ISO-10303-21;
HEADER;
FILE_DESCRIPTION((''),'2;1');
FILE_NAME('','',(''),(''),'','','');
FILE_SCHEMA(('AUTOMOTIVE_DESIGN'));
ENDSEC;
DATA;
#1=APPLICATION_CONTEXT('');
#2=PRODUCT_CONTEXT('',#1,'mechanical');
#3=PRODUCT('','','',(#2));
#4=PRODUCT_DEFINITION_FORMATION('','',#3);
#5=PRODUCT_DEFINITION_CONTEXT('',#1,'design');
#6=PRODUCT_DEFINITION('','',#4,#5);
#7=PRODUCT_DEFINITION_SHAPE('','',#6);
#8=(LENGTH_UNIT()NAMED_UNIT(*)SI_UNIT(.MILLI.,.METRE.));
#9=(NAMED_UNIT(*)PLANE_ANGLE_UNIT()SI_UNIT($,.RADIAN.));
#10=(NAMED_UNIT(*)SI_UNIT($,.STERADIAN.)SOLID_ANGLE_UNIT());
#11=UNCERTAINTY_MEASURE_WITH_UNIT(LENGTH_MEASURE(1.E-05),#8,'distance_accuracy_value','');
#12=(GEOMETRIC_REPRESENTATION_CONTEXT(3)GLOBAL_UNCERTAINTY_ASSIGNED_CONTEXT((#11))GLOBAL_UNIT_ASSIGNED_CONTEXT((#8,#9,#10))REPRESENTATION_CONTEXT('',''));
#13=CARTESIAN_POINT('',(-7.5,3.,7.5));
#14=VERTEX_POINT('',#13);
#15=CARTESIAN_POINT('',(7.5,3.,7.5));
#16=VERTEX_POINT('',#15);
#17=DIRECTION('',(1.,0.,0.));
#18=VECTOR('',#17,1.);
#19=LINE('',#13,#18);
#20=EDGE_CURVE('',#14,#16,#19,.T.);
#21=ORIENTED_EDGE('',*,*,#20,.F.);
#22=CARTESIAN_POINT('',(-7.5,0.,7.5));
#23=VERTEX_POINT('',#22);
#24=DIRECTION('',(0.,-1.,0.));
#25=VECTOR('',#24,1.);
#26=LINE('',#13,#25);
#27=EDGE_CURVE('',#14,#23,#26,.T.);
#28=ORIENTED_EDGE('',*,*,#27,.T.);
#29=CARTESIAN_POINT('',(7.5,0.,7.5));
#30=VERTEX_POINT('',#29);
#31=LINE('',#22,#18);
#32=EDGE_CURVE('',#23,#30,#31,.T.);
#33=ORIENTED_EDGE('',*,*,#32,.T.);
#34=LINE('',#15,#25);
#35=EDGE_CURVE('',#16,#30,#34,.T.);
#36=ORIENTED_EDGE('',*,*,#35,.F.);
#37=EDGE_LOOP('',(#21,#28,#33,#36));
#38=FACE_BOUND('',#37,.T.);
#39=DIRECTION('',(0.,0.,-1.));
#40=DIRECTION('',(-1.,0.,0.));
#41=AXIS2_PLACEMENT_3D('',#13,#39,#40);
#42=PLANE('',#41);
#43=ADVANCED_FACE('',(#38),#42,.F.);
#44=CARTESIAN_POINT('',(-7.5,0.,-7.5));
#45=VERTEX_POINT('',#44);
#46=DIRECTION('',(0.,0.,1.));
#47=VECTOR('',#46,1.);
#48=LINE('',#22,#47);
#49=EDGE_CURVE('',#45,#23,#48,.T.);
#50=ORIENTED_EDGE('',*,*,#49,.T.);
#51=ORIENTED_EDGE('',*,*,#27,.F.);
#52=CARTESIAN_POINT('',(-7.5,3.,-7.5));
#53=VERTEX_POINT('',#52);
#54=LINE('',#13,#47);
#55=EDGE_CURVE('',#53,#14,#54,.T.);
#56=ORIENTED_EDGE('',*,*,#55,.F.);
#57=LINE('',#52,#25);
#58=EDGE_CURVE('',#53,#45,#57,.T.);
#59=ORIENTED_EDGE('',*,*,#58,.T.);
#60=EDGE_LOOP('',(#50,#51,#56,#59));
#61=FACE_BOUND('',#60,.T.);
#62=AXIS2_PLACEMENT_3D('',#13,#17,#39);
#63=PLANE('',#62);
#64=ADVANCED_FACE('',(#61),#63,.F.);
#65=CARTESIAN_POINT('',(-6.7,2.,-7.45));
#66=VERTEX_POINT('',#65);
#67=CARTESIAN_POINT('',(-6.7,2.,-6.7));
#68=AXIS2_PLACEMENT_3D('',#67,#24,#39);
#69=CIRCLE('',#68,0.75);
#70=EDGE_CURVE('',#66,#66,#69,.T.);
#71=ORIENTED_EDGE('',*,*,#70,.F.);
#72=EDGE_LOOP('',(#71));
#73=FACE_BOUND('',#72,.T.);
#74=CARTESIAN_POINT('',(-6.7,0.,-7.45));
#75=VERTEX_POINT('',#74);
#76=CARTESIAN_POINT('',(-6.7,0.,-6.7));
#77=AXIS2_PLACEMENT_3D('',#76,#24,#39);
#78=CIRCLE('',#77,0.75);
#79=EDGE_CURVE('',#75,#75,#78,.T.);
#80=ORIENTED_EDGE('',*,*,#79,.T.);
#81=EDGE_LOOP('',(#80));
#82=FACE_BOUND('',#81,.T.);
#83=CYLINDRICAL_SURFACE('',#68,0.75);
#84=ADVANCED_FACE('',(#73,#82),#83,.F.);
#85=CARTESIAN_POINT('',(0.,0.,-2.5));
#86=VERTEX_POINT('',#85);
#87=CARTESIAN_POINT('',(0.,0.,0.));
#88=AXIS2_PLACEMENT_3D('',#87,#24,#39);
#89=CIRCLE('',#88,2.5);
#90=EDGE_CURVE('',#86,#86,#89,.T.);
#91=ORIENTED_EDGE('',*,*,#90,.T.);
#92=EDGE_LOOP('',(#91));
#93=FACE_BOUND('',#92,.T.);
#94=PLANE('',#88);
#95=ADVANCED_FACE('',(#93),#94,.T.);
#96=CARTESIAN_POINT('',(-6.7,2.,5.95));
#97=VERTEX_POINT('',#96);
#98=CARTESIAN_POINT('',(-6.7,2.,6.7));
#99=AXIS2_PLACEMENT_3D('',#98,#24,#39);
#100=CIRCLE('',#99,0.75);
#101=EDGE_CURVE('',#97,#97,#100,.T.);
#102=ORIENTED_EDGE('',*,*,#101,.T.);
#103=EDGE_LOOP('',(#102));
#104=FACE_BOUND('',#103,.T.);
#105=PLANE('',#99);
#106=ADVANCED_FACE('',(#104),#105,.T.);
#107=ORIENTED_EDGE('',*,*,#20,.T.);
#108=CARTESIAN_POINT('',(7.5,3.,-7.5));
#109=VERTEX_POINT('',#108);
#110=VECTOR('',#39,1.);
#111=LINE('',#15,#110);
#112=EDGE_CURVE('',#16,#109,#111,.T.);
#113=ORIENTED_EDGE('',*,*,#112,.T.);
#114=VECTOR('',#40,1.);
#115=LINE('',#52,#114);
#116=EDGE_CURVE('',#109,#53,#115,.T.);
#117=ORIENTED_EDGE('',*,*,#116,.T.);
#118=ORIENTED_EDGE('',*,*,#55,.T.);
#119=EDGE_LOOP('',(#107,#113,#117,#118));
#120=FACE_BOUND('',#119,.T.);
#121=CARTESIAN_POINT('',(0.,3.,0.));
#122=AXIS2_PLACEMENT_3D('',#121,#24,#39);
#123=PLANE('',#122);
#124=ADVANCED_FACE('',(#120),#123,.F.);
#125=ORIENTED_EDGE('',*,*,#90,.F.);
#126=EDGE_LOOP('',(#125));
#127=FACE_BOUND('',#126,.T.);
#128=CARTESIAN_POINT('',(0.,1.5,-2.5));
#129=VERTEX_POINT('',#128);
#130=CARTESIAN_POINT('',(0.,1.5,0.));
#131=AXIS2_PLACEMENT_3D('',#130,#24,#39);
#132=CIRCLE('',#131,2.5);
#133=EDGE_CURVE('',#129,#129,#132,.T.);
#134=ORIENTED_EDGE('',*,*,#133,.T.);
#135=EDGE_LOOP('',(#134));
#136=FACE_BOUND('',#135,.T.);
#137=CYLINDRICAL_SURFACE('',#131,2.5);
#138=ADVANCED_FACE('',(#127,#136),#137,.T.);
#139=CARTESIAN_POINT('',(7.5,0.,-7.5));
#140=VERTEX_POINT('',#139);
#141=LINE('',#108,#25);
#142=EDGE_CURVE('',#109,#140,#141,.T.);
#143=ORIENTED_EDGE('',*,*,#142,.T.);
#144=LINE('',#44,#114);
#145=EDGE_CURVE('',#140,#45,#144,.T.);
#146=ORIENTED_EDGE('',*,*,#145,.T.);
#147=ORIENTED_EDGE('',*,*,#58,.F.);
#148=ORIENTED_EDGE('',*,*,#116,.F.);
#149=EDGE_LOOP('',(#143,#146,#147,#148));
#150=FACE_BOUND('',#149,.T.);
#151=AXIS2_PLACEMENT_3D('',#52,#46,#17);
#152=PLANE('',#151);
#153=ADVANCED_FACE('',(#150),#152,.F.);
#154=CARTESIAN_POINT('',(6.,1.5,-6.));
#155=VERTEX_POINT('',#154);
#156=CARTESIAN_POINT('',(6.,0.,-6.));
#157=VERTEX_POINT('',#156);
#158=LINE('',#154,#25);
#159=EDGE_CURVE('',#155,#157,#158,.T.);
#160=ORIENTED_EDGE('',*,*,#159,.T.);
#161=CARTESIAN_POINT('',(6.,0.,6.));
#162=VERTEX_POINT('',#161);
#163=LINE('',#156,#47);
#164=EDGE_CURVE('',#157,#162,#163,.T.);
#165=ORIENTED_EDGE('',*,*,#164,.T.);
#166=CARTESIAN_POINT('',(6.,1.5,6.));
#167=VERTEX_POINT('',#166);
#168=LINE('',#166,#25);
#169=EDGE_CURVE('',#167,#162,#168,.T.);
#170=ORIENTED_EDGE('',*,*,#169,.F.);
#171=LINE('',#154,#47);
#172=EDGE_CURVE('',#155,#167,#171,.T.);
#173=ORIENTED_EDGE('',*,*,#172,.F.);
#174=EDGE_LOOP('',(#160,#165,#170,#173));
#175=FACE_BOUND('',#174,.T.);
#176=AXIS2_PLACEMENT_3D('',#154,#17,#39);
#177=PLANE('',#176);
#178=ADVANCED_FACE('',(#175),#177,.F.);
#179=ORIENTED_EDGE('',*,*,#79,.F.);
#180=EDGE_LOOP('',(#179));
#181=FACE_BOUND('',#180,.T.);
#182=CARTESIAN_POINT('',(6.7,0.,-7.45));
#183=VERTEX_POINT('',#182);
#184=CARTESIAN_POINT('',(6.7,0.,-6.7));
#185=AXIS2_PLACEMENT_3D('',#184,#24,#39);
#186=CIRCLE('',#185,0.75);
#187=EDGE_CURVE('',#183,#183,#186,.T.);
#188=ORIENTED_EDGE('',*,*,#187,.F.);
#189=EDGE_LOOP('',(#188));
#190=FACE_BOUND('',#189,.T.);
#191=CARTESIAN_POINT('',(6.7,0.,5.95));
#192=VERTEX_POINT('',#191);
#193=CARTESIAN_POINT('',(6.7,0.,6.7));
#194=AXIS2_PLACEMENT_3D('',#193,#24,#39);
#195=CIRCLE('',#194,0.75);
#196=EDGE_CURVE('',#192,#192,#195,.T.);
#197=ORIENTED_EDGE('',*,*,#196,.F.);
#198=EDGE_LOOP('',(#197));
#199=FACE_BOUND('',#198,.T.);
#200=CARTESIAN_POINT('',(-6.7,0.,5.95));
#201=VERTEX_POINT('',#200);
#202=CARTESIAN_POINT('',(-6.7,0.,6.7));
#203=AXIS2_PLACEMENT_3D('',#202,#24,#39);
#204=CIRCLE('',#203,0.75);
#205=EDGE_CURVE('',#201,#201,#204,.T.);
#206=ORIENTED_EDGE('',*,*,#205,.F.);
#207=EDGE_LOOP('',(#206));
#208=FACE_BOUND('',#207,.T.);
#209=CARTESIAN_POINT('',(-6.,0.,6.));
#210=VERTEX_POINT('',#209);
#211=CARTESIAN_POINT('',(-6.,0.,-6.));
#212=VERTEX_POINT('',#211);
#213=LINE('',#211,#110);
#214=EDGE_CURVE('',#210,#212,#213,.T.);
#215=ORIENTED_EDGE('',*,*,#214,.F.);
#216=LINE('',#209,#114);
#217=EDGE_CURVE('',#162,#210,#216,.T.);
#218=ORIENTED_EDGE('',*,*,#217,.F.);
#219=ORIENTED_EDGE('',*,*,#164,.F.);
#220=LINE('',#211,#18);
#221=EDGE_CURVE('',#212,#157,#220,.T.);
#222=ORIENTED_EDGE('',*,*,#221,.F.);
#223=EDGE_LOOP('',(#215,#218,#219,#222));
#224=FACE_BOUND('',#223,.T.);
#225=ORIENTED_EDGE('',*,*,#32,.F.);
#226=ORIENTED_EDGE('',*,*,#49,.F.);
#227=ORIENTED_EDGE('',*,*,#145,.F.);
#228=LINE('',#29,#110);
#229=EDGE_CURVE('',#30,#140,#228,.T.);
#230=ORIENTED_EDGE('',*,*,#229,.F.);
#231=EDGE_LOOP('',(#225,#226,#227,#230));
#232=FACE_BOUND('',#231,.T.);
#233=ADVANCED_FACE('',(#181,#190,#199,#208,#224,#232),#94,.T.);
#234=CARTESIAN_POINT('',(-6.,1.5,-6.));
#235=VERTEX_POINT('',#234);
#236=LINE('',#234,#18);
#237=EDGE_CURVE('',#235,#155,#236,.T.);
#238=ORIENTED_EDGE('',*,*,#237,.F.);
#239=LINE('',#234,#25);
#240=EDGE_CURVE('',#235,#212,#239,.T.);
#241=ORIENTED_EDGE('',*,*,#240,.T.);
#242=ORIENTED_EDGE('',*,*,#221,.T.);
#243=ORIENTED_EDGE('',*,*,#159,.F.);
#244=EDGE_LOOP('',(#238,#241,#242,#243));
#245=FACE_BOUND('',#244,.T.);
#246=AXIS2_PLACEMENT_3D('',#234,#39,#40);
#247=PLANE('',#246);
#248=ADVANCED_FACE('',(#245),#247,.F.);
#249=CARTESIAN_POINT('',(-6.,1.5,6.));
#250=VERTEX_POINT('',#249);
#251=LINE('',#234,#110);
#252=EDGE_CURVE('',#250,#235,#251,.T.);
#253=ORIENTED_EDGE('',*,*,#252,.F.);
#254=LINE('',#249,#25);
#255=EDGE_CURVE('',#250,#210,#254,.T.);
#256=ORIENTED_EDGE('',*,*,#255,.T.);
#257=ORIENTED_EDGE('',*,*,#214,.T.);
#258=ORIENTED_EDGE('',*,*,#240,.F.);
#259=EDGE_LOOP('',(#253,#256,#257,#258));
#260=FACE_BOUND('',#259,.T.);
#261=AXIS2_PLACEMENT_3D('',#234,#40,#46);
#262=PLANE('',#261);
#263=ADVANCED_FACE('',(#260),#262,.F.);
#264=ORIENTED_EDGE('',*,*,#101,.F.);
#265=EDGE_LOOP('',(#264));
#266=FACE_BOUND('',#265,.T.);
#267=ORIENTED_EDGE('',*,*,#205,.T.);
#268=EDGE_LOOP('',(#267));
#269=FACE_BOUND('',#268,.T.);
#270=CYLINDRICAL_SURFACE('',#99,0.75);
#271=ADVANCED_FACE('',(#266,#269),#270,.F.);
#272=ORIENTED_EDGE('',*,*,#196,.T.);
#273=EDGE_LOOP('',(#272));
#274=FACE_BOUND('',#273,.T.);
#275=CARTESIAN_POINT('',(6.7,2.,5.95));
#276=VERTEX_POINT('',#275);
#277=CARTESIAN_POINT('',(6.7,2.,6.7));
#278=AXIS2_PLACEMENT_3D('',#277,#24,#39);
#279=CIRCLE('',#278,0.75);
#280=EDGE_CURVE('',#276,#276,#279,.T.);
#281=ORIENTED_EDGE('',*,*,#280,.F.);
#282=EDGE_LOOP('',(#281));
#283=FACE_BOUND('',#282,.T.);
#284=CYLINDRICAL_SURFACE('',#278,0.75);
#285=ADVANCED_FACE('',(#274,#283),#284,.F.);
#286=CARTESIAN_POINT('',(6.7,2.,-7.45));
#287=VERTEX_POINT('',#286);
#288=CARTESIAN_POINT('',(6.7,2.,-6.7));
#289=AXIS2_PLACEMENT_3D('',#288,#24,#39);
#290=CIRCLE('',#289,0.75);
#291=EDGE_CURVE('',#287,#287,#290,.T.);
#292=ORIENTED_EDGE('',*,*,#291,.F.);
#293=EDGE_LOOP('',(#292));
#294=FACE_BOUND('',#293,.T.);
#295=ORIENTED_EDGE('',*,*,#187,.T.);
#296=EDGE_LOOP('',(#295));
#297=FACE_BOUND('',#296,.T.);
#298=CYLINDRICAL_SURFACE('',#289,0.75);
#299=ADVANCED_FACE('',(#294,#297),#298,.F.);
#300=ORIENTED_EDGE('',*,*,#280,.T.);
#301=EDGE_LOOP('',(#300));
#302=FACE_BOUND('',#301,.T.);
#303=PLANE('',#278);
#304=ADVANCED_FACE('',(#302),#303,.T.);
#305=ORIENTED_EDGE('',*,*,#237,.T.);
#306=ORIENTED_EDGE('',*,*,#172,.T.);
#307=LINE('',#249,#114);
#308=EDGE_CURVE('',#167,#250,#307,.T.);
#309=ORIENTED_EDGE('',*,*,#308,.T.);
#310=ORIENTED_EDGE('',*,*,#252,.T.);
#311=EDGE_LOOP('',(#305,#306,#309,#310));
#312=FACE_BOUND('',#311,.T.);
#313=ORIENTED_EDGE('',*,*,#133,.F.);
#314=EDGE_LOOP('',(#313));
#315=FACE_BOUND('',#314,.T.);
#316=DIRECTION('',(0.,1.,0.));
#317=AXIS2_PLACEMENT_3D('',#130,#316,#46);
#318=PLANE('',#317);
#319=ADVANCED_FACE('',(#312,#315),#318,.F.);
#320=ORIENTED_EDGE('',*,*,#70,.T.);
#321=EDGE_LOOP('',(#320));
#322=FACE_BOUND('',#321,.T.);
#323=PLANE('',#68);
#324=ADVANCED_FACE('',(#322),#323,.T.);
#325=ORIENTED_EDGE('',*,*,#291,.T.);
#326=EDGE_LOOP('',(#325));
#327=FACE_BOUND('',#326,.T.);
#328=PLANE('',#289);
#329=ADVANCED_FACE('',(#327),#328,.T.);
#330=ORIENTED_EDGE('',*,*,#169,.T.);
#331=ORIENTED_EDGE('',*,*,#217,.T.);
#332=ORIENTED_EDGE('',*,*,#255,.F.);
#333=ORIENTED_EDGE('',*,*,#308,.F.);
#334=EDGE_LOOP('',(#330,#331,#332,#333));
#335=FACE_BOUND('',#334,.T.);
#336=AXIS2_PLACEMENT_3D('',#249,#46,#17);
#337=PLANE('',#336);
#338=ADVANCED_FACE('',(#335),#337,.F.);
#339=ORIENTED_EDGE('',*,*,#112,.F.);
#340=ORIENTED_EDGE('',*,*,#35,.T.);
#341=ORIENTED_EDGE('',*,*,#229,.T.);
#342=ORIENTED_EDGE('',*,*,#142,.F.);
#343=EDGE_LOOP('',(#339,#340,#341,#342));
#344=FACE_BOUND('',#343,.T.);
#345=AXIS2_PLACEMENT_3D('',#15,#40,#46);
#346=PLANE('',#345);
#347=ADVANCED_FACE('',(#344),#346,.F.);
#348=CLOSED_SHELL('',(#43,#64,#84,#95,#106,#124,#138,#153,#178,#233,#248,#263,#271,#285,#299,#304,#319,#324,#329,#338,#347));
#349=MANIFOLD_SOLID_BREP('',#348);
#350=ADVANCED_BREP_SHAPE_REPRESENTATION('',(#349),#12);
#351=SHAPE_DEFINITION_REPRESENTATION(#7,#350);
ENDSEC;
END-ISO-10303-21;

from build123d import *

# Parameters (mm, degrees)
SKETCH1_W           = 15
SKETCH1_H           = 15
BOSS_EXTRUDE1_DEPTH = 3
SKETCH2_W           = 12
SKETCH2_H           = 12
SKETCH2_R           = 2.5
CUT_EXTRUDE1_DEPTH  = 1.5
SKETCH3_R           = 0.75
CUT_EXTRUDE2_DEPTH  = 2


with BuildPart() as part:
    # Sketch1 → Boss-Extrude1 (new body)
    with BuildSketch(Plane(origin=(0, 0, 0), x_dir=(1, 0, 0), z_dir=(0, 1, 0))):
        Rectangle(SKETCH1_W, SKETCH1_H)
    extrude(amount=BOSS_EXTRUDE1_DEPTH)

    # Sketch2 → Cut-Extrude1 (cut)
    with BuildSketch(Plane.XZ):
        Rectangle(SKETCH2_W, SKETCH2_H)
        Circle(SKETCH2_R, mode=Mode.SUBTRACT)
    extrude(amount=-CUT_EXTRUDE1_DEPTH, mode=Mode.SUBTRACT)

    # Sketch3 → Cut-Extrude2 (cut)
    with BuildSketch(Plane.XZ):
        with Locations((-6.7, 6.7)):
            Circle(SKETCH3_R)
        with Locations((6.7, 6.7)):
            Circle(SKETCH3_R)
        with Locations((6.7, -6.7)):
            Circle(SKETCH3_R)
        with Locations((-6.7, -6.7)):
            Circle(SKETCH3_R)
    extrude(amount=-CUT_EXTRUDE2_DEPTH, mode=Mode.SUBTRACT)


solid = part.part
